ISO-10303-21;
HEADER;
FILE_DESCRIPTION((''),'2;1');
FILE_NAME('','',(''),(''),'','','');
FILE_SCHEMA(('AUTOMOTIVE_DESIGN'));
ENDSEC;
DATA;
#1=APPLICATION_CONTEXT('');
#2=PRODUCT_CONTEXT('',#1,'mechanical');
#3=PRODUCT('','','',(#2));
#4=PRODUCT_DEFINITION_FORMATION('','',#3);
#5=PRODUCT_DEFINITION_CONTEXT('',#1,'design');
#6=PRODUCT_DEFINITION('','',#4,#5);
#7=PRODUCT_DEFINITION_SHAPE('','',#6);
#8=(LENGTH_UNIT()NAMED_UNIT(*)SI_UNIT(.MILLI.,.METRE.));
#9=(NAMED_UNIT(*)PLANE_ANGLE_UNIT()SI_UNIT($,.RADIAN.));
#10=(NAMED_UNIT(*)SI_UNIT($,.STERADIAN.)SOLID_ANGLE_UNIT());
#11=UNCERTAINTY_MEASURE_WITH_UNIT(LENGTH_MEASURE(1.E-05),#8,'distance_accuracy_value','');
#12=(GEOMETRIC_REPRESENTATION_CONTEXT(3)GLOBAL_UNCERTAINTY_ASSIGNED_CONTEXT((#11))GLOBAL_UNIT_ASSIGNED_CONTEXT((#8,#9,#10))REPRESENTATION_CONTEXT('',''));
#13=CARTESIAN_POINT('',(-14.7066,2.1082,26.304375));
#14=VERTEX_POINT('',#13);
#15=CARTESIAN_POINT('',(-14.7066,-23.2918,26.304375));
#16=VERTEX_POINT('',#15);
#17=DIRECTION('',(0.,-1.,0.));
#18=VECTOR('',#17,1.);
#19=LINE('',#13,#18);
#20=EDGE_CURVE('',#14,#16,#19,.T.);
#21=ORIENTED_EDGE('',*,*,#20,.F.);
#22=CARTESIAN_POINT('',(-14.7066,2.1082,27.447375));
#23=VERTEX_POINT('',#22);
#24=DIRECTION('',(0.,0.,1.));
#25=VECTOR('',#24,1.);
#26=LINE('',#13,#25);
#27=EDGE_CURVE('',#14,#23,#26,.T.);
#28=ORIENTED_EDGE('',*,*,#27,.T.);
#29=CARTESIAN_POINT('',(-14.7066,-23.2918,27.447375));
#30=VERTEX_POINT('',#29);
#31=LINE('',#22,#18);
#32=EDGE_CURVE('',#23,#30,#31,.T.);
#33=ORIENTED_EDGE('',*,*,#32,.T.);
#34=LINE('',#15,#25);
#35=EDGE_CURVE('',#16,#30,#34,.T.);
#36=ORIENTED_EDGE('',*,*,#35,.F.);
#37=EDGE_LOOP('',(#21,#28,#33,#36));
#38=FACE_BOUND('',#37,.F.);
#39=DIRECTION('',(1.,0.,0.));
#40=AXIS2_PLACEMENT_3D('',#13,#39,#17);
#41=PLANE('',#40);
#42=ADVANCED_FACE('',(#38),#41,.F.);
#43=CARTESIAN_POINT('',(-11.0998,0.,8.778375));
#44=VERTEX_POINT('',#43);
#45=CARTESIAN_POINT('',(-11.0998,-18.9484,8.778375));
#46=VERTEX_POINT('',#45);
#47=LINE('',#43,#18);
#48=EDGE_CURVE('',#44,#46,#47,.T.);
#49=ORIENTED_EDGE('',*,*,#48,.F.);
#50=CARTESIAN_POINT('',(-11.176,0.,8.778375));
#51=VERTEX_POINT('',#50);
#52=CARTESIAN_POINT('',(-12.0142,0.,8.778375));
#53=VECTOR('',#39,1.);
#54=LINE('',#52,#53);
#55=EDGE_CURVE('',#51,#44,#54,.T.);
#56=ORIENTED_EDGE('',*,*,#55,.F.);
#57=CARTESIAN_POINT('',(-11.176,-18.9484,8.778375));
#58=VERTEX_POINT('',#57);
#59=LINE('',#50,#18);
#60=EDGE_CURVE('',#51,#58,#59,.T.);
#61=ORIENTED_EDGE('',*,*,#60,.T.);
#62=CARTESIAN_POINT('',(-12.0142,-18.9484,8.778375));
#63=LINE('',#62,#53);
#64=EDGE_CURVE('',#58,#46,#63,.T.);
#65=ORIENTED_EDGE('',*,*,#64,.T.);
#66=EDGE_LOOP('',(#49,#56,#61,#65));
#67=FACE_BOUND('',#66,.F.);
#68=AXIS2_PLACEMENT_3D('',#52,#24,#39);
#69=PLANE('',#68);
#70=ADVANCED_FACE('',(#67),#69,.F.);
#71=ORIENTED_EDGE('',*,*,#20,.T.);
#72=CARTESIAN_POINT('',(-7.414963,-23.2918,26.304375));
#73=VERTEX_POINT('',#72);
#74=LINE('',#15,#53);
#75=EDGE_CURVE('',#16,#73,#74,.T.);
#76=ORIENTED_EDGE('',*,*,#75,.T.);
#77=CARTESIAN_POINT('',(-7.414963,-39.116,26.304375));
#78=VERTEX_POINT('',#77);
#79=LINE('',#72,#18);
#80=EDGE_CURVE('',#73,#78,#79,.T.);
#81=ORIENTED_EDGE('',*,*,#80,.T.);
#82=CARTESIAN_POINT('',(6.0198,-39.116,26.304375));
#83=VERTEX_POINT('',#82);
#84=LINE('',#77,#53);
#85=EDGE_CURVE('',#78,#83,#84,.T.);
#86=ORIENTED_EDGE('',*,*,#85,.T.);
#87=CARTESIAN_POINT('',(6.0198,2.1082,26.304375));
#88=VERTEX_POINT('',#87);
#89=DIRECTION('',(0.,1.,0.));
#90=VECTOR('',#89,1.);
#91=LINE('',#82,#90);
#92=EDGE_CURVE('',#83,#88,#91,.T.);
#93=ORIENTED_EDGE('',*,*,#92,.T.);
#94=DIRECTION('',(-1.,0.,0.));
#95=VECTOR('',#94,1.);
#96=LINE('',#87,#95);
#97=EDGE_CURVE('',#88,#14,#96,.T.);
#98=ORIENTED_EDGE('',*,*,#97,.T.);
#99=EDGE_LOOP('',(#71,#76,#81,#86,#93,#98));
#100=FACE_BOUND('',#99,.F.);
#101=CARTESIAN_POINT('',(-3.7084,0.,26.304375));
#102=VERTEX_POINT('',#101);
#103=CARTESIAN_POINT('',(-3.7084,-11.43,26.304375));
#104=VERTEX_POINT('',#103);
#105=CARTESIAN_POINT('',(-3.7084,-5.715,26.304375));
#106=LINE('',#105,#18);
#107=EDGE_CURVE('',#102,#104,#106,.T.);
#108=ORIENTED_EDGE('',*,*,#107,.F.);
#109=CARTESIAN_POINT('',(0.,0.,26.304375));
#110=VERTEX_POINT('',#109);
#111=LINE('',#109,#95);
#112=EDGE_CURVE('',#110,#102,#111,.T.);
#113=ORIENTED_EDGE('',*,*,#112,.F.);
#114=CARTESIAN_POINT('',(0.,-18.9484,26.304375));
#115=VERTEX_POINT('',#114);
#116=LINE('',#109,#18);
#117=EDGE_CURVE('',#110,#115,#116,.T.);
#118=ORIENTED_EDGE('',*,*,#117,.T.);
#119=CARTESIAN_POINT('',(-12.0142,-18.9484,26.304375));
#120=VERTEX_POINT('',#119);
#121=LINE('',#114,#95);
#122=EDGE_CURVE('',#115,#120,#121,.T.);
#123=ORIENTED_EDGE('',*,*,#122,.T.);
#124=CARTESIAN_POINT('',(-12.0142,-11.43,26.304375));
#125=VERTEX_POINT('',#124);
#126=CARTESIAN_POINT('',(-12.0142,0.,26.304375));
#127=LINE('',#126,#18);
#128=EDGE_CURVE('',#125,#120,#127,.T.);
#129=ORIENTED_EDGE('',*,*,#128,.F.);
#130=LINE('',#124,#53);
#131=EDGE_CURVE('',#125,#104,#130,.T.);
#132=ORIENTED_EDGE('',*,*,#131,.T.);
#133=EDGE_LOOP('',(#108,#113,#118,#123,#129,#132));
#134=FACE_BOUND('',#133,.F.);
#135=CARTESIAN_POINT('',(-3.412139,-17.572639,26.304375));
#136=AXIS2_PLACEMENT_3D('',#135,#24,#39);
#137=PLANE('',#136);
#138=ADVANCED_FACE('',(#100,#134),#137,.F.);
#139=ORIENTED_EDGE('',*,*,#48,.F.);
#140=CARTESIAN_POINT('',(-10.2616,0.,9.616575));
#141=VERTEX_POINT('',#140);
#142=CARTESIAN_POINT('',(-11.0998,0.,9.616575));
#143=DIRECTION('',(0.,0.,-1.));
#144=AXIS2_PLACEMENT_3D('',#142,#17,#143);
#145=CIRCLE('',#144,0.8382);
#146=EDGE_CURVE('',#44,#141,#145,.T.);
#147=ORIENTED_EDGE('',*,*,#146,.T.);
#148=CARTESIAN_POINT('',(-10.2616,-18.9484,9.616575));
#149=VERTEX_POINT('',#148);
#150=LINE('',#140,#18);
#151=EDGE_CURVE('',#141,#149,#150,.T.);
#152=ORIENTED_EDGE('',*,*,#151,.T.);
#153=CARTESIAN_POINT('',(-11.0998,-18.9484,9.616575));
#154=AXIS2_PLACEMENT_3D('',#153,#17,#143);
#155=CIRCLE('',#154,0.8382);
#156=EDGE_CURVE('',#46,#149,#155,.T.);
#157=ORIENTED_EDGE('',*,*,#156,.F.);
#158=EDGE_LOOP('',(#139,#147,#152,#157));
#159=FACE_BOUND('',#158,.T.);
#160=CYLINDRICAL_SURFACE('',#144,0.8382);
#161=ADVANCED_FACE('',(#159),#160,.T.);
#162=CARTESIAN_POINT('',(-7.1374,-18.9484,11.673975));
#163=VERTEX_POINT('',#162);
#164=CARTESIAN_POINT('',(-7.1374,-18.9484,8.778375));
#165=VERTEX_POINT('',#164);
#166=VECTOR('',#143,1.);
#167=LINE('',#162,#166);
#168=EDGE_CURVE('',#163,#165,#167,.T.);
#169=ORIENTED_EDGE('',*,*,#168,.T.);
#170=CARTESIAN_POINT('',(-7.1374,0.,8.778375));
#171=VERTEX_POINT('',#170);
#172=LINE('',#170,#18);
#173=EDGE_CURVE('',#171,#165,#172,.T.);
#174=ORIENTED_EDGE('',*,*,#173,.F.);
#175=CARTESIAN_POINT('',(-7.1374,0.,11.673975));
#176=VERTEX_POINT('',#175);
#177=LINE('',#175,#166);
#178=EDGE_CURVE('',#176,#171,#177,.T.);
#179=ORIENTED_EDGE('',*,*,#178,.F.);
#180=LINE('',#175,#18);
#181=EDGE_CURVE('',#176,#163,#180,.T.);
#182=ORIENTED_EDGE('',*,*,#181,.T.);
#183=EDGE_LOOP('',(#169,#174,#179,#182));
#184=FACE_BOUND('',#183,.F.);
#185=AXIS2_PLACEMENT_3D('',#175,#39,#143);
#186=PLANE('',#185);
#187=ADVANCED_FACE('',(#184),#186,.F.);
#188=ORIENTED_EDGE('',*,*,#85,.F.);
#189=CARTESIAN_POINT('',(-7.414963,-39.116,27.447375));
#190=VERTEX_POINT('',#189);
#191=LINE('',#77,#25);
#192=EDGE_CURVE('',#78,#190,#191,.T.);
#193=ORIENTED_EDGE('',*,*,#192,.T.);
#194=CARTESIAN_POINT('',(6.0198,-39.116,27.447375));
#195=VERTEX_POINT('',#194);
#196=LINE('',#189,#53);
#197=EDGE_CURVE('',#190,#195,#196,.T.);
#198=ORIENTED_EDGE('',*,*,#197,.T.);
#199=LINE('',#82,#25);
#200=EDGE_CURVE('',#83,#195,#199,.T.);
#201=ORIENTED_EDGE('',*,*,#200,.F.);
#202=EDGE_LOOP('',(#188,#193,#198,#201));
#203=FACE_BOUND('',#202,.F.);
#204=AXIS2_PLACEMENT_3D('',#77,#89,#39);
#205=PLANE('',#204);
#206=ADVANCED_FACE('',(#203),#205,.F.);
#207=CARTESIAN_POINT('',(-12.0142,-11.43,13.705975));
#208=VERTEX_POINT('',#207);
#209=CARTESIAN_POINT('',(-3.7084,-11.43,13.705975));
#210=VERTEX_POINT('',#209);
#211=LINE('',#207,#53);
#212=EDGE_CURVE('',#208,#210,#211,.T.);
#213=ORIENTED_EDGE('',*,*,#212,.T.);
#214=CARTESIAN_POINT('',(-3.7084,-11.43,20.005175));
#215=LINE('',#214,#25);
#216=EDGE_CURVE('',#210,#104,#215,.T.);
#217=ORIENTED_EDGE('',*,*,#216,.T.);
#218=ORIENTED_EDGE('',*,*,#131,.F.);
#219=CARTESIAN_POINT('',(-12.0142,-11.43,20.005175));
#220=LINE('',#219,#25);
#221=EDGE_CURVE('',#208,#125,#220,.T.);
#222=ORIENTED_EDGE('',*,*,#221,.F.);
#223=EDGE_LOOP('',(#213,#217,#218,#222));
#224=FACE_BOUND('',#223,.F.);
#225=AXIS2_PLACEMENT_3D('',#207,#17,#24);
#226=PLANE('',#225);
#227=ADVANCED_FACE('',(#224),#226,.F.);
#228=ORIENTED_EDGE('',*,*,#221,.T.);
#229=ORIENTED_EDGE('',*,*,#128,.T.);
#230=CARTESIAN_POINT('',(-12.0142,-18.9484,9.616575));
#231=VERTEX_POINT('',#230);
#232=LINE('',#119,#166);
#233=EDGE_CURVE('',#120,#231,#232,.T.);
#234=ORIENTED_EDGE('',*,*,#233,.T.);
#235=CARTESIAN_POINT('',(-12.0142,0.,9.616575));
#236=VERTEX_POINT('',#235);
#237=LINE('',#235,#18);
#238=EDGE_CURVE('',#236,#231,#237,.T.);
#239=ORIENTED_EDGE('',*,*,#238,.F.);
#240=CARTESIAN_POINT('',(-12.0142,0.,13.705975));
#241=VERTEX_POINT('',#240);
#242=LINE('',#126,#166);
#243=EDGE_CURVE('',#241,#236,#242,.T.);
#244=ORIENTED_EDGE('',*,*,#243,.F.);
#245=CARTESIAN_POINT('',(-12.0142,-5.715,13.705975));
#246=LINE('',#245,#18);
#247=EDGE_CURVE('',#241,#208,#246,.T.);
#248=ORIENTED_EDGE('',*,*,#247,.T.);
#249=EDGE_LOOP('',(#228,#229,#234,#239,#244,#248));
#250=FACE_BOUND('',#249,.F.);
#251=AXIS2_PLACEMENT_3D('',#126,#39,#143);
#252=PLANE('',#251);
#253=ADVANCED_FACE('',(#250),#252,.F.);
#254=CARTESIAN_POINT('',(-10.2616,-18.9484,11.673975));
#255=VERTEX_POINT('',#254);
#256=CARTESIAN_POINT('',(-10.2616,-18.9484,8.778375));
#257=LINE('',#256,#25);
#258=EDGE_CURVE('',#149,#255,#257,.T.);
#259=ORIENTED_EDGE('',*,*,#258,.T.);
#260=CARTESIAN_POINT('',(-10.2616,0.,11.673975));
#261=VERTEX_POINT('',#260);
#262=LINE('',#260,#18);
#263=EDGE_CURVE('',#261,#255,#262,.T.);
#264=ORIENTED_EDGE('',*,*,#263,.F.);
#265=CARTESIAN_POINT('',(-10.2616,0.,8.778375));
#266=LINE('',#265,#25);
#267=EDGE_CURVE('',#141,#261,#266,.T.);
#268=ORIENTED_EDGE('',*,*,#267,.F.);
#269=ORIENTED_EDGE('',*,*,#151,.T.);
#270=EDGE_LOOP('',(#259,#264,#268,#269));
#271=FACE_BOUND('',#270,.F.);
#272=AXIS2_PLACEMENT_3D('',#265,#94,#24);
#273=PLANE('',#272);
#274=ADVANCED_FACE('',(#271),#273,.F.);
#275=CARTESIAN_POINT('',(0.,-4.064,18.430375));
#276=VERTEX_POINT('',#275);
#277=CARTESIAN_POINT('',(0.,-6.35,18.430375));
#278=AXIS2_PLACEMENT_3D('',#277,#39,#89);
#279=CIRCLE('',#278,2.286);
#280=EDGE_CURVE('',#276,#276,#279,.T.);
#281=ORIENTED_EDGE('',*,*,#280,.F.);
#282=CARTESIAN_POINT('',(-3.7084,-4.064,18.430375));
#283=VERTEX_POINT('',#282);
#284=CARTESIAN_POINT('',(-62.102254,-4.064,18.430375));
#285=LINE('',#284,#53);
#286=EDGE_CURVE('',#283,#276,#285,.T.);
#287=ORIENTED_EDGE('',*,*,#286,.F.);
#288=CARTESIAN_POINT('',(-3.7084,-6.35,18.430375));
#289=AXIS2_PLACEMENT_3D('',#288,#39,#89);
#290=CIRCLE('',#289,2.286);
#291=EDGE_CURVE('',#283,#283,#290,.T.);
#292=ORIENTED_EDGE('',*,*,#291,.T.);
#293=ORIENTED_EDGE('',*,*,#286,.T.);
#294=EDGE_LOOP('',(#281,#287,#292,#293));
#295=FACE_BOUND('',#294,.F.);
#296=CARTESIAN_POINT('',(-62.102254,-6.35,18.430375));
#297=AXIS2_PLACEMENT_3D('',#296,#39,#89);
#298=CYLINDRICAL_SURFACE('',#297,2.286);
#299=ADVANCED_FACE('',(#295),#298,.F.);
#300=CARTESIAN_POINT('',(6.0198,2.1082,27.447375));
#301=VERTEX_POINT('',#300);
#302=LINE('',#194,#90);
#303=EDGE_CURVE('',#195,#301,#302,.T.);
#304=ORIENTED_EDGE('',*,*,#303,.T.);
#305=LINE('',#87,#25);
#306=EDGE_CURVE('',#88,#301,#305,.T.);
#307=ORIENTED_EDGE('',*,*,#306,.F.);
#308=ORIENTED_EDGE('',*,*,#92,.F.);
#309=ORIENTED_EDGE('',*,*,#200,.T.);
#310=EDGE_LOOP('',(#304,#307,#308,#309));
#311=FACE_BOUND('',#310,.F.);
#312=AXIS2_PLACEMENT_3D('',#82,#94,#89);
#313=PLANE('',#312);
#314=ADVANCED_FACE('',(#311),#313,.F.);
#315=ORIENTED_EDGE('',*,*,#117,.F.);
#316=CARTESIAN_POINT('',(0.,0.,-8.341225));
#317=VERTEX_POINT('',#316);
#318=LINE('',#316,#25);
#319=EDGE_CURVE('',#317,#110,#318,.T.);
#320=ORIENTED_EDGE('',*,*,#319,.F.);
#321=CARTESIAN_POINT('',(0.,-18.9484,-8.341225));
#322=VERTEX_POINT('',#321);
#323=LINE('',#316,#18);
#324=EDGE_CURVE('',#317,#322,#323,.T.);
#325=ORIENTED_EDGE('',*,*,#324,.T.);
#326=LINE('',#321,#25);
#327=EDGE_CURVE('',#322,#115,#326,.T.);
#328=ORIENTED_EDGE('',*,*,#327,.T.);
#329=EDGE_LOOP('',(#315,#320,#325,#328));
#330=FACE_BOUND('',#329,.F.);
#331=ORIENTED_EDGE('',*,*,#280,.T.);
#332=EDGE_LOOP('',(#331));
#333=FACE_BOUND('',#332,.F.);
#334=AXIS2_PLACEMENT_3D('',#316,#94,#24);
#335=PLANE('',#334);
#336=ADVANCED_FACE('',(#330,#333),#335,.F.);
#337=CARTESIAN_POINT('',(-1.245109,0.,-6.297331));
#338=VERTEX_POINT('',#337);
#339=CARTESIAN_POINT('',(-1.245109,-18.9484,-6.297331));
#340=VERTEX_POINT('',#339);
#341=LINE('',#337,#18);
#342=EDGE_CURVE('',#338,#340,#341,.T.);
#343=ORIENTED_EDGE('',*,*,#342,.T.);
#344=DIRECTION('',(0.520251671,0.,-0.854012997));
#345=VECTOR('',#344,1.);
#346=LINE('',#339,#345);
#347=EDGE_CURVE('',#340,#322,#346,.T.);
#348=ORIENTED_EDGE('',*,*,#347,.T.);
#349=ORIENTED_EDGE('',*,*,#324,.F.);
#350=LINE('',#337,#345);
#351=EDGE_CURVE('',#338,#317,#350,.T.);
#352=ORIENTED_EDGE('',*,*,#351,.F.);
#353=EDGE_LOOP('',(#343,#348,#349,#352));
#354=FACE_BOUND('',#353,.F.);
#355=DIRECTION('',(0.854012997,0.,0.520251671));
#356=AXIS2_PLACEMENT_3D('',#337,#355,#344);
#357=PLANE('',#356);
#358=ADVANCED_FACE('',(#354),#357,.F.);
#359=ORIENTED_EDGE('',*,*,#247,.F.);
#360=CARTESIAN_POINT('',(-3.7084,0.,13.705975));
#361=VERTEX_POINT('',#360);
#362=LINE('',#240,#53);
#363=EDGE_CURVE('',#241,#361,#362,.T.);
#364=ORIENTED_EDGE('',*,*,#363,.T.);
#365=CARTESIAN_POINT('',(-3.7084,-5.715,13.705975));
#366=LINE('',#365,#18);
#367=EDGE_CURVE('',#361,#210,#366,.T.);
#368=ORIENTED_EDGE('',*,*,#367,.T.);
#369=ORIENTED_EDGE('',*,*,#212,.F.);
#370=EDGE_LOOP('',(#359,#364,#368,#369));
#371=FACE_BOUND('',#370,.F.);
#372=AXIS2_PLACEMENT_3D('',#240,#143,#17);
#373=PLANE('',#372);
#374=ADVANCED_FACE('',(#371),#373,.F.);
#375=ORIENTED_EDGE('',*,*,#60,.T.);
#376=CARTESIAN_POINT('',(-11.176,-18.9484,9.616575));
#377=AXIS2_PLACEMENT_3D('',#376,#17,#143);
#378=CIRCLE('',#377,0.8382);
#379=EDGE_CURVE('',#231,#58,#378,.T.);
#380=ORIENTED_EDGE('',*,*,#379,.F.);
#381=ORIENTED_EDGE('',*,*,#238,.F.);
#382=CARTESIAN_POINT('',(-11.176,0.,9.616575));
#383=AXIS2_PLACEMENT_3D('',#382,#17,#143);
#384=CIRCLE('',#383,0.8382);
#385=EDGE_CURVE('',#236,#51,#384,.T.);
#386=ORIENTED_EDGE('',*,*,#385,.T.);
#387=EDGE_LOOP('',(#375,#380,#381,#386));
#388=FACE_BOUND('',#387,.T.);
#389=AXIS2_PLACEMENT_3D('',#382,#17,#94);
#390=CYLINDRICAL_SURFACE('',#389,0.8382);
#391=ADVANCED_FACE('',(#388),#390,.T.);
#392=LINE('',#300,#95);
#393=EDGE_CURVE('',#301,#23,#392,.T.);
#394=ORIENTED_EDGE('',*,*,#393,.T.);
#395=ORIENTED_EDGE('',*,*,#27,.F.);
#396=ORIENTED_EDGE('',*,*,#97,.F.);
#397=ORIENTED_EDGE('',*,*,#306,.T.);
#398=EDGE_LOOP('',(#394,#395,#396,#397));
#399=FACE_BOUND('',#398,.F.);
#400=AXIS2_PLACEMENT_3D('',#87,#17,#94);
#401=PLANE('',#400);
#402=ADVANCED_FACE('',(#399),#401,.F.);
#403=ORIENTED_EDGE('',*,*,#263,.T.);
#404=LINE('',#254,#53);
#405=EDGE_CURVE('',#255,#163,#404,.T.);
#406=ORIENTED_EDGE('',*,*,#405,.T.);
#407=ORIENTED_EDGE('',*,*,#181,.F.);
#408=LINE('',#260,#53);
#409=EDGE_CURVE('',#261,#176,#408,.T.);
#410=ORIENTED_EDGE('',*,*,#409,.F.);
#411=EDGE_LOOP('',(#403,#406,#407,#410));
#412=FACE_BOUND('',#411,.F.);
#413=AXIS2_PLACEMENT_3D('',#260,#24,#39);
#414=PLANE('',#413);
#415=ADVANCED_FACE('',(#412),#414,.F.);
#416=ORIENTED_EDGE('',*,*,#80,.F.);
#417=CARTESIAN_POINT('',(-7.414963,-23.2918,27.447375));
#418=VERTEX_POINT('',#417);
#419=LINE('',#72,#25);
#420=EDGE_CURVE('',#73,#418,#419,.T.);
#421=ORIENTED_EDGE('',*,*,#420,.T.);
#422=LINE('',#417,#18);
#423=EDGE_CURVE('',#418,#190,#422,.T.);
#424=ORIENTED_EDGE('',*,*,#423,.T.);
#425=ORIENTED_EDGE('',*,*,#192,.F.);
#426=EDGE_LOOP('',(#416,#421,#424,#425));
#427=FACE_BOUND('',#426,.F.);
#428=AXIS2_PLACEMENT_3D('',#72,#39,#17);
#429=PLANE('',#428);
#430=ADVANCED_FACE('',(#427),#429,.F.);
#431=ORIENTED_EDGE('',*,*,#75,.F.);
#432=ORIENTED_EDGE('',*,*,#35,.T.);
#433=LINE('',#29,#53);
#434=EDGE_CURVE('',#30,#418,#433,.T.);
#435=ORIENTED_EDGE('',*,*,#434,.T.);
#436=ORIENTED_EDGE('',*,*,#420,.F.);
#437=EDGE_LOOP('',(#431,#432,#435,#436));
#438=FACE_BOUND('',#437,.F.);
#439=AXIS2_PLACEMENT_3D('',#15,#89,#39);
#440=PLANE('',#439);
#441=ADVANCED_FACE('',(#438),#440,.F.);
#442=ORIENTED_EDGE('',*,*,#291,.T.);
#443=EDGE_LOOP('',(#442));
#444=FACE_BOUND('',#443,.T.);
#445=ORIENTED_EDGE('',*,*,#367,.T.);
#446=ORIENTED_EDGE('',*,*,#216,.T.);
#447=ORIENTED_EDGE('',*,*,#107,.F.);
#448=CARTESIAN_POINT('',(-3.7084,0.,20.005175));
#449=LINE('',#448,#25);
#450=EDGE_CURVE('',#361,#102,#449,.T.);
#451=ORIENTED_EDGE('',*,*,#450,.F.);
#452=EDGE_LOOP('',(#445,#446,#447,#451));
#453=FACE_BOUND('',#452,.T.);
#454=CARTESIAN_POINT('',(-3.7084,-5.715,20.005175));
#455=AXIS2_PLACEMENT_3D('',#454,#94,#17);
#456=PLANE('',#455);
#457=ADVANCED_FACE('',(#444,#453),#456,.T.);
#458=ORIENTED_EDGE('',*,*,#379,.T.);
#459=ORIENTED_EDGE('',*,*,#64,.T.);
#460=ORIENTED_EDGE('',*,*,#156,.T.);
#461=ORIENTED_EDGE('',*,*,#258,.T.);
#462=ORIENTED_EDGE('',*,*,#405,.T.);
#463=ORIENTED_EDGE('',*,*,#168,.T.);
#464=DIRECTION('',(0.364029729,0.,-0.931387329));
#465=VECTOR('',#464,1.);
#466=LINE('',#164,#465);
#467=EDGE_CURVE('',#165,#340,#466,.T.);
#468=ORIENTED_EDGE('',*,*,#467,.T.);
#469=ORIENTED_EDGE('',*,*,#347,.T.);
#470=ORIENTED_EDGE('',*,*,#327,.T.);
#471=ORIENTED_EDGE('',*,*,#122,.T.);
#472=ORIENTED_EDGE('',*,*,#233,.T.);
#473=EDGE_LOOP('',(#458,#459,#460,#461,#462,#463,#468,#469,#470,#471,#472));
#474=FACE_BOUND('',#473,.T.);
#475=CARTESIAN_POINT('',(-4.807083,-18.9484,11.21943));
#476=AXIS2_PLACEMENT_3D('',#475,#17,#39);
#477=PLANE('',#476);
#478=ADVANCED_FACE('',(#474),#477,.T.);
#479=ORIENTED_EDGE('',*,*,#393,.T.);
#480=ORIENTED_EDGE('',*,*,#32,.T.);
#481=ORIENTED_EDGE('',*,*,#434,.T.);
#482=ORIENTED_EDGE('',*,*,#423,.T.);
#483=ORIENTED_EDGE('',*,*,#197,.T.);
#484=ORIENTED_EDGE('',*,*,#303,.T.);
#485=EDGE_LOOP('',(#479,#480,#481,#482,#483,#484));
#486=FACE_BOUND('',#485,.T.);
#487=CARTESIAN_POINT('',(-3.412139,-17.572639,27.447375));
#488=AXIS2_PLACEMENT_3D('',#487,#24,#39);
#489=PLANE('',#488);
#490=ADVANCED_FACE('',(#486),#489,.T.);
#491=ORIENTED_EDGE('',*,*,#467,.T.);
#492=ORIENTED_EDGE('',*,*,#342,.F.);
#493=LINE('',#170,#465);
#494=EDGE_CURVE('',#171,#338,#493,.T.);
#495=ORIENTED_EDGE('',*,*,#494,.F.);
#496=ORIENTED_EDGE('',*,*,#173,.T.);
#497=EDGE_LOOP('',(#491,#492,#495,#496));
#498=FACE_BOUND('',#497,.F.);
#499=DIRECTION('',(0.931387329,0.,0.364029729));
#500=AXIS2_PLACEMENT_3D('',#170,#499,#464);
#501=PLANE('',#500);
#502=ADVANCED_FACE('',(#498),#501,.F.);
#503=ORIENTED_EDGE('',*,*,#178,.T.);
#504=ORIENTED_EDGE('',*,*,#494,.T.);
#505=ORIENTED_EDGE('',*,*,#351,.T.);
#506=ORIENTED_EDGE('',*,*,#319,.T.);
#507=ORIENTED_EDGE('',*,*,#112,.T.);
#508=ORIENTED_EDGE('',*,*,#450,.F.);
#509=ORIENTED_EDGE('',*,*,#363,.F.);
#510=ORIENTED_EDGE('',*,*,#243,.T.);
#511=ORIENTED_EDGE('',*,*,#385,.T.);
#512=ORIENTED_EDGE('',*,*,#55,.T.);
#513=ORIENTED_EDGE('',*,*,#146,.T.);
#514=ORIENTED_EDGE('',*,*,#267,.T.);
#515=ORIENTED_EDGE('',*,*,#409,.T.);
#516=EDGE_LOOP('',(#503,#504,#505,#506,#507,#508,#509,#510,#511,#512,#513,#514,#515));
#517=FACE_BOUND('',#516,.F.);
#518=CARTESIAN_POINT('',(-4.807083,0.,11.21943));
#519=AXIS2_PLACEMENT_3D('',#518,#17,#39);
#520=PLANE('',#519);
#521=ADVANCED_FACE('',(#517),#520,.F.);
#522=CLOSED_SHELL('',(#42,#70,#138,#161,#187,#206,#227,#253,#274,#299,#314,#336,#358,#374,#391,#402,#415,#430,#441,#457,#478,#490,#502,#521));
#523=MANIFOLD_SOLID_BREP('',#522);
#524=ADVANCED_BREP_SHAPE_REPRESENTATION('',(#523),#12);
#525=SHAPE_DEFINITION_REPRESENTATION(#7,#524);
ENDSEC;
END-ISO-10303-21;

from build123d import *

# Parameters (mm, degrees)
F1_DEPTH = 18.9484
F3_DEPTH = 1.143
F4_R     = 0.8382
F5_W     = 11.43
F5_H     = 12.5984
F6_DEPTH = 8.3058
F8_D     = 4.572


with BuildPart() as f1:
    # F0 (on Front) → F1 (new body)
    with BuildSketch(Plane.XZ):
        Polygon((0, 26.304375), (-12.0142, 26.304375), (-12.0142, 8.778375), (-10.2616, 8.778375), (-10.2616, 11.673975), (-7.1374, 11.673975), (-7.1374, 8.778375), (-1.245109, -6.297331), (0, -8.341225), align=None)
    extrude(amount=F1_DEPTH)

    # F2 (on face) → F3 (join)
    with BuildSketch(Plane.XY.offset(26.304375)):
        Polygon((6.0198, 2.1082), (-14.7066, 2.1082), (-14.7066, -23.2918), (-7.414963, -23.2918), (-7.414963, -39.116), (6.0198, -39.116), align=None)
    extrude(amount=F3_DEPTH)

    # F4
    f4_edges = [f1.edges().sort_by_distance(p)[0] for p in [
        (-12.0142, -9.4742, 8.778375),
        (-10.2616, -9.4742, 8.778375),
    ]]
    fillet(f4_edges, radius=F4_R)

    # F5 (on face) → F6 (cut)
    with BuildSketch(Plane(origin=(-12.0142, 0, 0), x_dir=(0, -1, 0), z_dir=(-1, 0, 0))):
        with Locations((5.715, 20.005175)):
            Rectangle(F5_W, F5_H)
    extrude(amount=-F6_DEPTH, mode=Mode.SUBTRACT)

    # F8 (through all)
    with Locations(Plane(origin=(-3.7084, 0, 0), x_dir=(0, -1, 0), z_dir=(-1, 0, 0))):
        with Locations((6.35, 18.430375)):
            Hole(F8_D / 2)


solid = f1.part
